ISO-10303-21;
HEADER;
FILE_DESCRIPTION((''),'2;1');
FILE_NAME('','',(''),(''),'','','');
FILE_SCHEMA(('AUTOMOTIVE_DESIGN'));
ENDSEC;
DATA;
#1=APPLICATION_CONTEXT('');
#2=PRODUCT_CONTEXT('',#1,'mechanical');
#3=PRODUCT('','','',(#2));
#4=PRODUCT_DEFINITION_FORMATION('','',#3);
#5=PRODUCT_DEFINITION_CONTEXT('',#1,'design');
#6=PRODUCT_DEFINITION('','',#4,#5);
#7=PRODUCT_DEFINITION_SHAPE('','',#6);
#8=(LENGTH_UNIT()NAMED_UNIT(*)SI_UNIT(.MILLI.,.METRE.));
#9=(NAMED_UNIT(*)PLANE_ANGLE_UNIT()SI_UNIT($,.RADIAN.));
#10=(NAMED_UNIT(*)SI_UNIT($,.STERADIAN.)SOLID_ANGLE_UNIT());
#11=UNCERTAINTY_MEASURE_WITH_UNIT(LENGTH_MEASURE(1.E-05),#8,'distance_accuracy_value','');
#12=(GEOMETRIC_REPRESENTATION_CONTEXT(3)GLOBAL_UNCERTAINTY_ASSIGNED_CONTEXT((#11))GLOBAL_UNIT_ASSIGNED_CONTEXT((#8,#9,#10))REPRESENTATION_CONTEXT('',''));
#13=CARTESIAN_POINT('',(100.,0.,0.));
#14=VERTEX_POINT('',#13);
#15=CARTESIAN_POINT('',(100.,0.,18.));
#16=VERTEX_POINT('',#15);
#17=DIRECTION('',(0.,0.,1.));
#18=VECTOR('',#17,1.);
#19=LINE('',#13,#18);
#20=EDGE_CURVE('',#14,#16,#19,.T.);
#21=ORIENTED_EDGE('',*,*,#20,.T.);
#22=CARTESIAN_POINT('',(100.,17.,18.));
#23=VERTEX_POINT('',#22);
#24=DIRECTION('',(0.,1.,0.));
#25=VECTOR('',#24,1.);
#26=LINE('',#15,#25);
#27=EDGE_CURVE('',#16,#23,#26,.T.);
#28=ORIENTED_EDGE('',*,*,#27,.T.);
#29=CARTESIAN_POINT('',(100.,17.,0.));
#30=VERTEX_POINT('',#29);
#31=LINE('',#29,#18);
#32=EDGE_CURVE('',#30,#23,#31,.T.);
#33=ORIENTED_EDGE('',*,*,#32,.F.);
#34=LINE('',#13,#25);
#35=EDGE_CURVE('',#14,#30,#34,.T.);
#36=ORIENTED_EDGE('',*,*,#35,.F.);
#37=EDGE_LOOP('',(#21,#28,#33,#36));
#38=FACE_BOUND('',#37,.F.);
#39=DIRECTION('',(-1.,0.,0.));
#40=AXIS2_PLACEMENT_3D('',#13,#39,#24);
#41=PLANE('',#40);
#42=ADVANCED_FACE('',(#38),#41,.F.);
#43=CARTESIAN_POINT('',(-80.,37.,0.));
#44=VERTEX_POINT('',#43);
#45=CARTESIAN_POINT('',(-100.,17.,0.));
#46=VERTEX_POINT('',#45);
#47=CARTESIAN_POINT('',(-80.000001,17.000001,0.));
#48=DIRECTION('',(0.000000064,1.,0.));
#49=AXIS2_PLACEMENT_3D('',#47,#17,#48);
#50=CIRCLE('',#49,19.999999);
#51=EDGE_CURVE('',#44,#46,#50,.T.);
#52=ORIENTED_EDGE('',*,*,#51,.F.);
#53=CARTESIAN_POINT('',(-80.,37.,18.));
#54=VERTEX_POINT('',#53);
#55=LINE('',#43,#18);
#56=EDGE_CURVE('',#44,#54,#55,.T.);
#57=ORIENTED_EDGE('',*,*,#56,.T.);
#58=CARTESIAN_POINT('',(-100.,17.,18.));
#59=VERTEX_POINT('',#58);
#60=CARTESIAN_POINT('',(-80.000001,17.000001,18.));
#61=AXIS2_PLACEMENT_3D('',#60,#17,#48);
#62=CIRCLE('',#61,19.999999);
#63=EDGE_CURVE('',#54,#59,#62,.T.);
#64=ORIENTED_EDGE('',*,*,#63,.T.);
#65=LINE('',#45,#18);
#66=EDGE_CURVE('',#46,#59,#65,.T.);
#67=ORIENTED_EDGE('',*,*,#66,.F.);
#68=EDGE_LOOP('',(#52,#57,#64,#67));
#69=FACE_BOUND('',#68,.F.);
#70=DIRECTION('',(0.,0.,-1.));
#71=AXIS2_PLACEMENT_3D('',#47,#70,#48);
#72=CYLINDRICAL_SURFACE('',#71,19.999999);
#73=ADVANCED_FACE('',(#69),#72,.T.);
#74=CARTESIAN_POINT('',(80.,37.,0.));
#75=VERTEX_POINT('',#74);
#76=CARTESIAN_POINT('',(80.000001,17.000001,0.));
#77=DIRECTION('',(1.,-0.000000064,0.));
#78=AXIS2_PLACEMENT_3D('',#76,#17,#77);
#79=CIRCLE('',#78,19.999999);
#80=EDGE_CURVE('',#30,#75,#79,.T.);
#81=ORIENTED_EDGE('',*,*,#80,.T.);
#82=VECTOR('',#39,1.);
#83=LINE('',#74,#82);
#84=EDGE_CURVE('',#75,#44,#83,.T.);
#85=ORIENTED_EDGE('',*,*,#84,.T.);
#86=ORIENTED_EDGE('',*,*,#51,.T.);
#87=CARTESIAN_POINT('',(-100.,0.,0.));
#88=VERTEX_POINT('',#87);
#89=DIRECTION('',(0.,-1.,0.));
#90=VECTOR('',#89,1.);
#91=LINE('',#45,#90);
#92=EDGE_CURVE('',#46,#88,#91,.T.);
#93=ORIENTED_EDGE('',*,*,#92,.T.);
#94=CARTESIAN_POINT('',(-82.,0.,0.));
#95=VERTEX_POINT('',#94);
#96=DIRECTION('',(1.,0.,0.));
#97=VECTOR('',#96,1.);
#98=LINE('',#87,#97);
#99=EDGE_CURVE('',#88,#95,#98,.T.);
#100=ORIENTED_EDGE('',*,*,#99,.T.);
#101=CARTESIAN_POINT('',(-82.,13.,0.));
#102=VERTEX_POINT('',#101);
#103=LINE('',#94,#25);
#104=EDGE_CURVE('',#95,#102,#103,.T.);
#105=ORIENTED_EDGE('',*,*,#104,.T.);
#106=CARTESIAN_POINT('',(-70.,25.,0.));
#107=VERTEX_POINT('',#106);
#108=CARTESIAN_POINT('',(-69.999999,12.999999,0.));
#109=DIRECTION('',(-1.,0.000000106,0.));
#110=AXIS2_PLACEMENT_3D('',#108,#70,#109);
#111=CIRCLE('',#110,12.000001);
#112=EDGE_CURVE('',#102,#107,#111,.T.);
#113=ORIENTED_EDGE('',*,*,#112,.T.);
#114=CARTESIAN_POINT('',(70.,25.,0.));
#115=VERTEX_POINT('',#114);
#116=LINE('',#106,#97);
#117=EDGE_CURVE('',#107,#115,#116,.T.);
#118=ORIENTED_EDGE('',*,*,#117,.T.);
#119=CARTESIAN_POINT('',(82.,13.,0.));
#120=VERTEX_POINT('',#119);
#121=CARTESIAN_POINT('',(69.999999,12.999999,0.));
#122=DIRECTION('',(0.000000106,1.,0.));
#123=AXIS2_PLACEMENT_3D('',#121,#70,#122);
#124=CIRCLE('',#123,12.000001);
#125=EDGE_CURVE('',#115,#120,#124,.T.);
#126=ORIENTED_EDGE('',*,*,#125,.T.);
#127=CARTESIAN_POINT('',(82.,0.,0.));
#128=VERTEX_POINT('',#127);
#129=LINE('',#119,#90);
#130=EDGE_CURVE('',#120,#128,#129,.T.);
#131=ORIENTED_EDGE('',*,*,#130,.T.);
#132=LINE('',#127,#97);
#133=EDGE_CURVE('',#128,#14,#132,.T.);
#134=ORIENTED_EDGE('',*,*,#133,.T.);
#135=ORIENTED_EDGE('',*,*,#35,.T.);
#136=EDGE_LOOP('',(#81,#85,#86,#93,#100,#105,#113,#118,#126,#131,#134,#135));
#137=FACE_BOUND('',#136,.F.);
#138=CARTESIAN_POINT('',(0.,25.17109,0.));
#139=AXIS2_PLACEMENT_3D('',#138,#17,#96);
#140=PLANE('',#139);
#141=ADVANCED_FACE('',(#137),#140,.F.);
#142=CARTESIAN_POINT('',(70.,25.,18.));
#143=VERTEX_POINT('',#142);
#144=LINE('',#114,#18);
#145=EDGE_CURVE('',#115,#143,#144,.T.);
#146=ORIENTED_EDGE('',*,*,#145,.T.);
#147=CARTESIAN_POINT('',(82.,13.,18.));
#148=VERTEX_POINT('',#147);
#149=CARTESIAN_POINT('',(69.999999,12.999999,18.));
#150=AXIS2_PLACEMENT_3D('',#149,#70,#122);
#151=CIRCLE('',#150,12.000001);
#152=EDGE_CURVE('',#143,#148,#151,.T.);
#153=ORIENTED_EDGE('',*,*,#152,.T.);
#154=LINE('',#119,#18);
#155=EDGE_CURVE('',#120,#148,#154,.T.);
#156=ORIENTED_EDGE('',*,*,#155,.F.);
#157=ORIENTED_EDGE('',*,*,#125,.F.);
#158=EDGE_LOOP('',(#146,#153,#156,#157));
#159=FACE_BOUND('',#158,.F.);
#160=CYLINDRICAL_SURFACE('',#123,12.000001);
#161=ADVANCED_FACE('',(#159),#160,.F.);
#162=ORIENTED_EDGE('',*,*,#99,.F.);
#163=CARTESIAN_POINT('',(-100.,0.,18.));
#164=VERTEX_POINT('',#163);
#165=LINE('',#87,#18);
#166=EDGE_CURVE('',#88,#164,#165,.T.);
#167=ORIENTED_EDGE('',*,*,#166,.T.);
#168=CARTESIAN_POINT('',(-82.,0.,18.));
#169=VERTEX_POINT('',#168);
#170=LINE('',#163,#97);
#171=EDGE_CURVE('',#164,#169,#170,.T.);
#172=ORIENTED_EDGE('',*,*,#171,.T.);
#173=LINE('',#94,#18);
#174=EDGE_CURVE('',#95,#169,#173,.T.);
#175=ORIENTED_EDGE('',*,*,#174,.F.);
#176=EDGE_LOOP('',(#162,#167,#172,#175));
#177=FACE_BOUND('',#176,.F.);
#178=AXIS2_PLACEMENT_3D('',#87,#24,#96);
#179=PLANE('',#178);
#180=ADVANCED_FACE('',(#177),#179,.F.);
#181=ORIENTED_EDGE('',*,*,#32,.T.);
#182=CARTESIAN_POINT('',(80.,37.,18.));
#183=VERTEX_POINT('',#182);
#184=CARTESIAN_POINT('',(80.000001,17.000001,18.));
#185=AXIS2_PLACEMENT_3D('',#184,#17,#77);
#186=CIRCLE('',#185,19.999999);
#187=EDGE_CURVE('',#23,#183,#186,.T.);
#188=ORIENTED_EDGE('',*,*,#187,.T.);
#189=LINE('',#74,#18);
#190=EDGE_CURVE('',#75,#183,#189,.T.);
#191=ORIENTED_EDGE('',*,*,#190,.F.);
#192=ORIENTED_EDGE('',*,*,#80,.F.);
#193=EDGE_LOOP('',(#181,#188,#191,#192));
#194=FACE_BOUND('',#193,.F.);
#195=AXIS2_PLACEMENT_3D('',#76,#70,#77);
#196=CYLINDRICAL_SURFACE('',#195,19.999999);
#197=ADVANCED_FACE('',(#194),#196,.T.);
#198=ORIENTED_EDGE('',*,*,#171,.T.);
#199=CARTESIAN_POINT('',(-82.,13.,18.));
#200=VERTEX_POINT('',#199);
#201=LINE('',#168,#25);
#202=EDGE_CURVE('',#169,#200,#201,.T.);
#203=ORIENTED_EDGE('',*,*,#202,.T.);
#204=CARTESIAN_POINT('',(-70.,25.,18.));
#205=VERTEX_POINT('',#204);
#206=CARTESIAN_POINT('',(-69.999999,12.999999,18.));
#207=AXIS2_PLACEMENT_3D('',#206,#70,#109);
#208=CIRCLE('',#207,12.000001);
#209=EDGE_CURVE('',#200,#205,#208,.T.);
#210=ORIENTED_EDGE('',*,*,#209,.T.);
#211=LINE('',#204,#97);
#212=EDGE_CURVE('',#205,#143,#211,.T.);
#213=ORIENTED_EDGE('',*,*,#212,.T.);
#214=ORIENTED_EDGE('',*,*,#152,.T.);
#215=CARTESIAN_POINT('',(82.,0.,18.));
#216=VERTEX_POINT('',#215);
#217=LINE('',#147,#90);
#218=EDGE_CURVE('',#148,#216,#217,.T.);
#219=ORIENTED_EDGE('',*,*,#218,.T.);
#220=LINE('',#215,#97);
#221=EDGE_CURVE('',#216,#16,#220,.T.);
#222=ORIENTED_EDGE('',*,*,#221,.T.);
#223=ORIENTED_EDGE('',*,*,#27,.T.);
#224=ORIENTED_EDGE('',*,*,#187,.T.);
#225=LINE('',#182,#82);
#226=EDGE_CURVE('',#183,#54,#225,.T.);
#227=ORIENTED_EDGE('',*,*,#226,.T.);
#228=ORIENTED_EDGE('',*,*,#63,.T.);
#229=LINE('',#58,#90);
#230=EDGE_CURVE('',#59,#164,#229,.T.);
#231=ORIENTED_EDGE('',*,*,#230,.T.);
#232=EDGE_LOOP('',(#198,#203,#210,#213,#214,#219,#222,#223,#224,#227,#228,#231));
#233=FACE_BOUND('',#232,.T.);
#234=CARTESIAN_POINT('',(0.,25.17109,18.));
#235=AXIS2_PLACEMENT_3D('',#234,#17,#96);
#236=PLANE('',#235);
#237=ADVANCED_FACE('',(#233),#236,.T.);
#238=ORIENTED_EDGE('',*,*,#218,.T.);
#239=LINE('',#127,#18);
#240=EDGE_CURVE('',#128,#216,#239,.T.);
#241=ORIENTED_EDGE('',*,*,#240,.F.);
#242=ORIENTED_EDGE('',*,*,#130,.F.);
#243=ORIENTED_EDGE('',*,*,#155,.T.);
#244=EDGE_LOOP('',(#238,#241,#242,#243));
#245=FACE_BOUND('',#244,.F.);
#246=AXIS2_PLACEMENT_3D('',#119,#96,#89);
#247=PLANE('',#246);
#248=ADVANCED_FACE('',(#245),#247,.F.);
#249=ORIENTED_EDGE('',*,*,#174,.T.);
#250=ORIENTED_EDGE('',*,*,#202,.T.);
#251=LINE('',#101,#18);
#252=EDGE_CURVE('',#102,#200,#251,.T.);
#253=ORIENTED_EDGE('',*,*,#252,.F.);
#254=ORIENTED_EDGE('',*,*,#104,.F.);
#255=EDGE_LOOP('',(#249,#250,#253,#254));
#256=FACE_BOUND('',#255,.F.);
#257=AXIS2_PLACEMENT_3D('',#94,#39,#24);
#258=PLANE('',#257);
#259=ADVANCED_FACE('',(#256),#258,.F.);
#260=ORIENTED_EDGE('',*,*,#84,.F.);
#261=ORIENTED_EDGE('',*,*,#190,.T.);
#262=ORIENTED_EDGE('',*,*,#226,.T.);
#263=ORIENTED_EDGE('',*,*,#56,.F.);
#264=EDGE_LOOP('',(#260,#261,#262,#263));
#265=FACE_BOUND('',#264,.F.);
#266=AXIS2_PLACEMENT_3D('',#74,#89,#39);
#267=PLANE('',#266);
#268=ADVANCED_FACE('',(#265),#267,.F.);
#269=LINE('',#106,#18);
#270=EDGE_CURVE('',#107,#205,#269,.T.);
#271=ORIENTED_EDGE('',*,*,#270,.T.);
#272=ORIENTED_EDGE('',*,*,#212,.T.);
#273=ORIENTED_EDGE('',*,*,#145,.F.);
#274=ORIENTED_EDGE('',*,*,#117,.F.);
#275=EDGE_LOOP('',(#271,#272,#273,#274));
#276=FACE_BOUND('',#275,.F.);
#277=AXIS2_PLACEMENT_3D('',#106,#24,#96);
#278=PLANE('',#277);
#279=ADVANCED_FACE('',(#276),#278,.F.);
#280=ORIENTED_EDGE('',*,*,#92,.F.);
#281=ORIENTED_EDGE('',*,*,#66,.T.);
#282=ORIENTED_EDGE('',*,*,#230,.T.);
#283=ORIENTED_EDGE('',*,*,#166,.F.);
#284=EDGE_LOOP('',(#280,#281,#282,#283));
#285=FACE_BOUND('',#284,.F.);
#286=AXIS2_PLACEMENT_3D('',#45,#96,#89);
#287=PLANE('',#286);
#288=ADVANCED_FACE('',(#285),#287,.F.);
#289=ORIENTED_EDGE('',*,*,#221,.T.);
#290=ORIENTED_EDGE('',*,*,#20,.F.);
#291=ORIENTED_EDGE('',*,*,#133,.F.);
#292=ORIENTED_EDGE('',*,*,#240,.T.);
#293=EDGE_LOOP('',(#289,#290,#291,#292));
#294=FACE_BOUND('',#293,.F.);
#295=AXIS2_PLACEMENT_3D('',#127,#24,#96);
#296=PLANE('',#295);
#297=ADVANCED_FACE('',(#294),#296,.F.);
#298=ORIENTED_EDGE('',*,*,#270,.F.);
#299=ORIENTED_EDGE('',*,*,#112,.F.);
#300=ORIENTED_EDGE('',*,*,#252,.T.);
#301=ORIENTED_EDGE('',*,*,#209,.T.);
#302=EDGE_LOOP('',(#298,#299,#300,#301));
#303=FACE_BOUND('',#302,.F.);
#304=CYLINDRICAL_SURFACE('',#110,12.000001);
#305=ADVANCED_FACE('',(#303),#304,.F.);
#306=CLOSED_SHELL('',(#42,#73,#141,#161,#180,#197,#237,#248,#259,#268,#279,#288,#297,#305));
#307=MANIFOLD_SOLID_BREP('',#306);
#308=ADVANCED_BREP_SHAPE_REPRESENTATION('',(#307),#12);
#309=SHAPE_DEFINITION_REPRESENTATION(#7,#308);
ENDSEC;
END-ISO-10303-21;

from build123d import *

# Parameters (mm, degrees)
F1_DEPTH = 18


with BuildPart() as f1:
    # F0 (on Top) → F1 (new body)
    with BuildSketch(Plane.XY):
        with BuildLine():
            ThreePointArc((-80, 37), (-94.142136, 31.142136), (-100, 17))
            Line((-100, 17), (-100, 0))
            Line((-100, 0), (-82, 0))
            Line((-82, 0), (-82, 13))
            ThreePointArc((-82, 13), (-78.485281, 21.485281), (-70, 25))
            Line((-70, 25), (70, 25))
            ThreePointArc((70, 25), (78.485281, 21.485281), (82, 13))
            Line((82, 13), (82, 0))
            Line((82, 0), (100, 0))
            Line((100, 0), (100, 17))
            ThreePointArc((100, 17), (94.142136, 31.142136), (80, 37))
            Line((80, 37), (-80, 37))
        make_face()
    extrude(amount=F1_DEPTH)


solid = f1.part
